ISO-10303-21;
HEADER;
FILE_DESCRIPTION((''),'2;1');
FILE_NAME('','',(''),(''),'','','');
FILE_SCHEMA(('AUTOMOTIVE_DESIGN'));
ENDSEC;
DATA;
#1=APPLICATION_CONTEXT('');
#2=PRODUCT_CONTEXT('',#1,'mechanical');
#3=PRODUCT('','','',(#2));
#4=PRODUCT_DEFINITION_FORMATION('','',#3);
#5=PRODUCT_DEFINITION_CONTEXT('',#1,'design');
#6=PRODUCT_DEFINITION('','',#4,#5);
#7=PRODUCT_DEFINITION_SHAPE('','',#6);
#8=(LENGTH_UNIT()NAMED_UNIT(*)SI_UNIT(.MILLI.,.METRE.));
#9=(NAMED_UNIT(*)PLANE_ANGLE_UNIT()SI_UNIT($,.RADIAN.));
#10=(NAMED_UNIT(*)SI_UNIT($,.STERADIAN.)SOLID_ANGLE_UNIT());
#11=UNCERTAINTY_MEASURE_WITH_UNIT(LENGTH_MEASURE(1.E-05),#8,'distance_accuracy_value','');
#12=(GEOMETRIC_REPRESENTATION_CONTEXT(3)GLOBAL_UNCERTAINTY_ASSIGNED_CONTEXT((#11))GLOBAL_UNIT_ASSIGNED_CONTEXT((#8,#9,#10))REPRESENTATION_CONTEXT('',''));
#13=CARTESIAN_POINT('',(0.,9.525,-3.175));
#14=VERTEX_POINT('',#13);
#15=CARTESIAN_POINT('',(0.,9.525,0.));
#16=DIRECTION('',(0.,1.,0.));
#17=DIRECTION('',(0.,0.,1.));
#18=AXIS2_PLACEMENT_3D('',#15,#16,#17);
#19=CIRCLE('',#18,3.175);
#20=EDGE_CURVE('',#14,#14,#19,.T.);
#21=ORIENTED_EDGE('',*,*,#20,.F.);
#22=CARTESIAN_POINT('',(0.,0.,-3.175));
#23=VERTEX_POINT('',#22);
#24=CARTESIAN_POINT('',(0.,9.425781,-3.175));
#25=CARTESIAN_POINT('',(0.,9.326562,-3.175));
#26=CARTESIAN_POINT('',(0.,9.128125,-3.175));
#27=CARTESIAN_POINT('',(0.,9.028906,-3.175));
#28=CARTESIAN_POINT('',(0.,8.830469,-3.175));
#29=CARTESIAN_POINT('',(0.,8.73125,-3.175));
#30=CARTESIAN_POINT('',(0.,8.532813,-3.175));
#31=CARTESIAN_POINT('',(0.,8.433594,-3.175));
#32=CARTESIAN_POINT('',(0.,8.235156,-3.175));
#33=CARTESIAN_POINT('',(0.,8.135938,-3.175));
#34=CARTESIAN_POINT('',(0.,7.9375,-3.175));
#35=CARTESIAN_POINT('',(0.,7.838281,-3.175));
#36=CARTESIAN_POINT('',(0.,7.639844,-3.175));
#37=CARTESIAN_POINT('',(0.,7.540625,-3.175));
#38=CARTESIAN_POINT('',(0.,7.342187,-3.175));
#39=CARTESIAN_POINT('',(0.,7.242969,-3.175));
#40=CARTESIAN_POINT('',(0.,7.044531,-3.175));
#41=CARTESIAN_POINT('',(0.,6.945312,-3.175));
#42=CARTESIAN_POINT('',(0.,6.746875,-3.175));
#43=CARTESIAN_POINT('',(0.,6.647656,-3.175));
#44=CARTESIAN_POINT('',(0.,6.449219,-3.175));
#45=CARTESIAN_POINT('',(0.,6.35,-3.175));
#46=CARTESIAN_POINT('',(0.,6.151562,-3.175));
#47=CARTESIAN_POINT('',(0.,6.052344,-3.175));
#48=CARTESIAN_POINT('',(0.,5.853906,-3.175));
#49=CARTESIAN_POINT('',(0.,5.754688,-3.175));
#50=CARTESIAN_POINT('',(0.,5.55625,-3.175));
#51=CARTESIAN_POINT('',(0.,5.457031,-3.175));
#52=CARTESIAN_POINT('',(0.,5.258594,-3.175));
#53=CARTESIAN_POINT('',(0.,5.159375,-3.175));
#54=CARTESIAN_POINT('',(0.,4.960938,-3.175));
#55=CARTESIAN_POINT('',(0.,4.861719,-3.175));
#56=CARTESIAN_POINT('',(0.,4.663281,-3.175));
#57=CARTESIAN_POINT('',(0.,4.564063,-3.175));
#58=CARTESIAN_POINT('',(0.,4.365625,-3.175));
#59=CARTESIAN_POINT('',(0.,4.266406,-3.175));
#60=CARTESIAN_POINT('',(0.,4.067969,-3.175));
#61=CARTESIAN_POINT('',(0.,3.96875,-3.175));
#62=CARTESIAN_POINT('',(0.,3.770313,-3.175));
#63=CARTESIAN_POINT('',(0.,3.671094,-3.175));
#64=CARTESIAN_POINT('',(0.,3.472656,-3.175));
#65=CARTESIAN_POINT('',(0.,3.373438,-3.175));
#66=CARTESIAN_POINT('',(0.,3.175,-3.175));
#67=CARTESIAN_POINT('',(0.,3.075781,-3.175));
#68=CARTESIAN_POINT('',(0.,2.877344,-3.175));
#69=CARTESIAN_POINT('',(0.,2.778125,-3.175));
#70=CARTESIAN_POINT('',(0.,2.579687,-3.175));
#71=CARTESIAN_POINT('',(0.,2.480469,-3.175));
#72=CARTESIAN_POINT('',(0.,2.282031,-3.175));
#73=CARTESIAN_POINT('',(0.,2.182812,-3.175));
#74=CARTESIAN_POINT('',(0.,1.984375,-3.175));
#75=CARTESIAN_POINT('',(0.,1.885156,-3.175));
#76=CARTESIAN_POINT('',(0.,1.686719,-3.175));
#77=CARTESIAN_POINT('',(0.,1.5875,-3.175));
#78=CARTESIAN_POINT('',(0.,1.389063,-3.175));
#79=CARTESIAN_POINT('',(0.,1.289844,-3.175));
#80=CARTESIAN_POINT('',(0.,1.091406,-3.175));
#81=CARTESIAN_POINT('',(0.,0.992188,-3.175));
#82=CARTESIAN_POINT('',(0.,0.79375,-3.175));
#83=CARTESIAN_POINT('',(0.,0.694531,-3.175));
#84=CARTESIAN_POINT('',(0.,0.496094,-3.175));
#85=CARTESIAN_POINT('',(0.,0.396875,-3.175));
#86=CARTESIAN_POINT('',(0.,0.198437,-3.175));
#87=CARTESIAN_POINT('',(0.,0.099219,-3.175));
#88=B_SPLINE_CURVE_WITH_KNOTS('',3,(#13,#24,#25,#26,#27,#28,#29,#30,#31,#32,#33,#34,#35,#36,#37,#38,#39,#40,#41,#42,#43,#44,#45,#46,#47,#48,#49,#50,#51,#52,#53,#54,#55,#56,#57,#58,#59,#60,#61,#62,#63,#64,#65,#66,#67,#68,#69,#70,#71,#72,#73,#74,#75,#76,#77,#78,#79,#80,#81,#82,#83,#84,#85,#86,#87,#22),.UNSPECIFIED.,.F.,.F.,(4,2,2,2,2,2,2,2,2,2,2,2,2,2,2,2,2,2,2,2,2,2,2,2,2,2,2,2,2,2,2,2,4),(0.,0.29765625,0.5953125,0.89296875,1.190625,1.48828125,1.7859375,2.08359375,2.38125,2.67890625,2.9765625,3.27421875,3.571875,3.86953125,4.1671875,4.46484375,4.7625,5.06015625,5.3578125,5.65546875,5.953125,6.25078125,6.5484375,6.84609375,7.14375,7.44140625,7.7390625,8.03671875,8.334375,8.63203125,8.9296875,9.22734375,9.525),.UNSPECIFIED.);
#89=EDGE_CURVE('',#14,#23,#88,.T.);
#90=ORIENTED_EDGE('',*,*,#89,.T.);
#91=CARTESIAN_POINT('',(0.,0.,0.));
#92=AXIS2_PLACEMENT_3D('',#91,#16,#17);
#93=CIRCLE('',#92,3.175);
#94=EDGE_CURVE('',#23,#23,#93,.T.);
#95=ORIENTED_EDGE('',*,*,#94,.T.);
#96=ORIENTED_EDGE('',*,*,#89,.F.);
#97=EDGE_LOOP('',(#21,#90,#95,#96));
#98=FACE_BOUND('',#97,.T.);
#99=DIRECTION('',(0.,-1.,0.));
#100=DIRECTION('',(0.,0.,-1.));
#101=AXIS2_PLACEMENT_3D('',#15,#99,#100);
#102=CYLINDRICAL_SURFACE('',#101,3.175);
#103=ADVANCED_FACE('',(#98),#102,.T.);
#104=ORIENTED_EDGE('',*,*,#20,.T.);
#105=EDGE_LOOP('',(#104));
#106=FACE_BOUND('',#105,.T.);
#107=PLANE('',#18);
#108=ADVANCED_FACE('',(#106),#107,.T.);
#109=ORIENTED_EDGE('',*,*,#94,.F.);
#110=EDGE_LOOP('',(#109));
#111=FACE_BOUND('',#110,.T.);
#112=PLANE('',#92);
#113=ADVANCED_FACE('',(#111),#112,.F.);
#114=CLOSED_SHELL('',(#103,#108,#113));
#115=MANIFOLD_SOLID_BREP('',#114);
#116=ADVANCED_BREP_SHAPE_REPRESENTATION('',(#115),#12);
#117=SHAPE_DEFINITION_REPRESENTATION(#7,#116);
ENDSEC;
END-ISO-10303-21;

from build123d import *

# Parameters (mm, degrees)
SKETCH1_R           = 3.175
BOSS_EXTRUDE1_DEPTH = 9.525


with BuildPart() as part:
    # Sketch1 → Boss-Extrude1 (new body)
    with BuildSketch(Plane(origin=(0, 0, 0), x_dir=(1, 0, 0), z_dir=(0, 1, 0))):
        with Locations(Location((0, 0, 0), (0, 0, 90))):
            Circle(SKETCH1_R)
    extrude(amount=BOSS_EXTRUDE1_DEPTH)


solid = part.part
